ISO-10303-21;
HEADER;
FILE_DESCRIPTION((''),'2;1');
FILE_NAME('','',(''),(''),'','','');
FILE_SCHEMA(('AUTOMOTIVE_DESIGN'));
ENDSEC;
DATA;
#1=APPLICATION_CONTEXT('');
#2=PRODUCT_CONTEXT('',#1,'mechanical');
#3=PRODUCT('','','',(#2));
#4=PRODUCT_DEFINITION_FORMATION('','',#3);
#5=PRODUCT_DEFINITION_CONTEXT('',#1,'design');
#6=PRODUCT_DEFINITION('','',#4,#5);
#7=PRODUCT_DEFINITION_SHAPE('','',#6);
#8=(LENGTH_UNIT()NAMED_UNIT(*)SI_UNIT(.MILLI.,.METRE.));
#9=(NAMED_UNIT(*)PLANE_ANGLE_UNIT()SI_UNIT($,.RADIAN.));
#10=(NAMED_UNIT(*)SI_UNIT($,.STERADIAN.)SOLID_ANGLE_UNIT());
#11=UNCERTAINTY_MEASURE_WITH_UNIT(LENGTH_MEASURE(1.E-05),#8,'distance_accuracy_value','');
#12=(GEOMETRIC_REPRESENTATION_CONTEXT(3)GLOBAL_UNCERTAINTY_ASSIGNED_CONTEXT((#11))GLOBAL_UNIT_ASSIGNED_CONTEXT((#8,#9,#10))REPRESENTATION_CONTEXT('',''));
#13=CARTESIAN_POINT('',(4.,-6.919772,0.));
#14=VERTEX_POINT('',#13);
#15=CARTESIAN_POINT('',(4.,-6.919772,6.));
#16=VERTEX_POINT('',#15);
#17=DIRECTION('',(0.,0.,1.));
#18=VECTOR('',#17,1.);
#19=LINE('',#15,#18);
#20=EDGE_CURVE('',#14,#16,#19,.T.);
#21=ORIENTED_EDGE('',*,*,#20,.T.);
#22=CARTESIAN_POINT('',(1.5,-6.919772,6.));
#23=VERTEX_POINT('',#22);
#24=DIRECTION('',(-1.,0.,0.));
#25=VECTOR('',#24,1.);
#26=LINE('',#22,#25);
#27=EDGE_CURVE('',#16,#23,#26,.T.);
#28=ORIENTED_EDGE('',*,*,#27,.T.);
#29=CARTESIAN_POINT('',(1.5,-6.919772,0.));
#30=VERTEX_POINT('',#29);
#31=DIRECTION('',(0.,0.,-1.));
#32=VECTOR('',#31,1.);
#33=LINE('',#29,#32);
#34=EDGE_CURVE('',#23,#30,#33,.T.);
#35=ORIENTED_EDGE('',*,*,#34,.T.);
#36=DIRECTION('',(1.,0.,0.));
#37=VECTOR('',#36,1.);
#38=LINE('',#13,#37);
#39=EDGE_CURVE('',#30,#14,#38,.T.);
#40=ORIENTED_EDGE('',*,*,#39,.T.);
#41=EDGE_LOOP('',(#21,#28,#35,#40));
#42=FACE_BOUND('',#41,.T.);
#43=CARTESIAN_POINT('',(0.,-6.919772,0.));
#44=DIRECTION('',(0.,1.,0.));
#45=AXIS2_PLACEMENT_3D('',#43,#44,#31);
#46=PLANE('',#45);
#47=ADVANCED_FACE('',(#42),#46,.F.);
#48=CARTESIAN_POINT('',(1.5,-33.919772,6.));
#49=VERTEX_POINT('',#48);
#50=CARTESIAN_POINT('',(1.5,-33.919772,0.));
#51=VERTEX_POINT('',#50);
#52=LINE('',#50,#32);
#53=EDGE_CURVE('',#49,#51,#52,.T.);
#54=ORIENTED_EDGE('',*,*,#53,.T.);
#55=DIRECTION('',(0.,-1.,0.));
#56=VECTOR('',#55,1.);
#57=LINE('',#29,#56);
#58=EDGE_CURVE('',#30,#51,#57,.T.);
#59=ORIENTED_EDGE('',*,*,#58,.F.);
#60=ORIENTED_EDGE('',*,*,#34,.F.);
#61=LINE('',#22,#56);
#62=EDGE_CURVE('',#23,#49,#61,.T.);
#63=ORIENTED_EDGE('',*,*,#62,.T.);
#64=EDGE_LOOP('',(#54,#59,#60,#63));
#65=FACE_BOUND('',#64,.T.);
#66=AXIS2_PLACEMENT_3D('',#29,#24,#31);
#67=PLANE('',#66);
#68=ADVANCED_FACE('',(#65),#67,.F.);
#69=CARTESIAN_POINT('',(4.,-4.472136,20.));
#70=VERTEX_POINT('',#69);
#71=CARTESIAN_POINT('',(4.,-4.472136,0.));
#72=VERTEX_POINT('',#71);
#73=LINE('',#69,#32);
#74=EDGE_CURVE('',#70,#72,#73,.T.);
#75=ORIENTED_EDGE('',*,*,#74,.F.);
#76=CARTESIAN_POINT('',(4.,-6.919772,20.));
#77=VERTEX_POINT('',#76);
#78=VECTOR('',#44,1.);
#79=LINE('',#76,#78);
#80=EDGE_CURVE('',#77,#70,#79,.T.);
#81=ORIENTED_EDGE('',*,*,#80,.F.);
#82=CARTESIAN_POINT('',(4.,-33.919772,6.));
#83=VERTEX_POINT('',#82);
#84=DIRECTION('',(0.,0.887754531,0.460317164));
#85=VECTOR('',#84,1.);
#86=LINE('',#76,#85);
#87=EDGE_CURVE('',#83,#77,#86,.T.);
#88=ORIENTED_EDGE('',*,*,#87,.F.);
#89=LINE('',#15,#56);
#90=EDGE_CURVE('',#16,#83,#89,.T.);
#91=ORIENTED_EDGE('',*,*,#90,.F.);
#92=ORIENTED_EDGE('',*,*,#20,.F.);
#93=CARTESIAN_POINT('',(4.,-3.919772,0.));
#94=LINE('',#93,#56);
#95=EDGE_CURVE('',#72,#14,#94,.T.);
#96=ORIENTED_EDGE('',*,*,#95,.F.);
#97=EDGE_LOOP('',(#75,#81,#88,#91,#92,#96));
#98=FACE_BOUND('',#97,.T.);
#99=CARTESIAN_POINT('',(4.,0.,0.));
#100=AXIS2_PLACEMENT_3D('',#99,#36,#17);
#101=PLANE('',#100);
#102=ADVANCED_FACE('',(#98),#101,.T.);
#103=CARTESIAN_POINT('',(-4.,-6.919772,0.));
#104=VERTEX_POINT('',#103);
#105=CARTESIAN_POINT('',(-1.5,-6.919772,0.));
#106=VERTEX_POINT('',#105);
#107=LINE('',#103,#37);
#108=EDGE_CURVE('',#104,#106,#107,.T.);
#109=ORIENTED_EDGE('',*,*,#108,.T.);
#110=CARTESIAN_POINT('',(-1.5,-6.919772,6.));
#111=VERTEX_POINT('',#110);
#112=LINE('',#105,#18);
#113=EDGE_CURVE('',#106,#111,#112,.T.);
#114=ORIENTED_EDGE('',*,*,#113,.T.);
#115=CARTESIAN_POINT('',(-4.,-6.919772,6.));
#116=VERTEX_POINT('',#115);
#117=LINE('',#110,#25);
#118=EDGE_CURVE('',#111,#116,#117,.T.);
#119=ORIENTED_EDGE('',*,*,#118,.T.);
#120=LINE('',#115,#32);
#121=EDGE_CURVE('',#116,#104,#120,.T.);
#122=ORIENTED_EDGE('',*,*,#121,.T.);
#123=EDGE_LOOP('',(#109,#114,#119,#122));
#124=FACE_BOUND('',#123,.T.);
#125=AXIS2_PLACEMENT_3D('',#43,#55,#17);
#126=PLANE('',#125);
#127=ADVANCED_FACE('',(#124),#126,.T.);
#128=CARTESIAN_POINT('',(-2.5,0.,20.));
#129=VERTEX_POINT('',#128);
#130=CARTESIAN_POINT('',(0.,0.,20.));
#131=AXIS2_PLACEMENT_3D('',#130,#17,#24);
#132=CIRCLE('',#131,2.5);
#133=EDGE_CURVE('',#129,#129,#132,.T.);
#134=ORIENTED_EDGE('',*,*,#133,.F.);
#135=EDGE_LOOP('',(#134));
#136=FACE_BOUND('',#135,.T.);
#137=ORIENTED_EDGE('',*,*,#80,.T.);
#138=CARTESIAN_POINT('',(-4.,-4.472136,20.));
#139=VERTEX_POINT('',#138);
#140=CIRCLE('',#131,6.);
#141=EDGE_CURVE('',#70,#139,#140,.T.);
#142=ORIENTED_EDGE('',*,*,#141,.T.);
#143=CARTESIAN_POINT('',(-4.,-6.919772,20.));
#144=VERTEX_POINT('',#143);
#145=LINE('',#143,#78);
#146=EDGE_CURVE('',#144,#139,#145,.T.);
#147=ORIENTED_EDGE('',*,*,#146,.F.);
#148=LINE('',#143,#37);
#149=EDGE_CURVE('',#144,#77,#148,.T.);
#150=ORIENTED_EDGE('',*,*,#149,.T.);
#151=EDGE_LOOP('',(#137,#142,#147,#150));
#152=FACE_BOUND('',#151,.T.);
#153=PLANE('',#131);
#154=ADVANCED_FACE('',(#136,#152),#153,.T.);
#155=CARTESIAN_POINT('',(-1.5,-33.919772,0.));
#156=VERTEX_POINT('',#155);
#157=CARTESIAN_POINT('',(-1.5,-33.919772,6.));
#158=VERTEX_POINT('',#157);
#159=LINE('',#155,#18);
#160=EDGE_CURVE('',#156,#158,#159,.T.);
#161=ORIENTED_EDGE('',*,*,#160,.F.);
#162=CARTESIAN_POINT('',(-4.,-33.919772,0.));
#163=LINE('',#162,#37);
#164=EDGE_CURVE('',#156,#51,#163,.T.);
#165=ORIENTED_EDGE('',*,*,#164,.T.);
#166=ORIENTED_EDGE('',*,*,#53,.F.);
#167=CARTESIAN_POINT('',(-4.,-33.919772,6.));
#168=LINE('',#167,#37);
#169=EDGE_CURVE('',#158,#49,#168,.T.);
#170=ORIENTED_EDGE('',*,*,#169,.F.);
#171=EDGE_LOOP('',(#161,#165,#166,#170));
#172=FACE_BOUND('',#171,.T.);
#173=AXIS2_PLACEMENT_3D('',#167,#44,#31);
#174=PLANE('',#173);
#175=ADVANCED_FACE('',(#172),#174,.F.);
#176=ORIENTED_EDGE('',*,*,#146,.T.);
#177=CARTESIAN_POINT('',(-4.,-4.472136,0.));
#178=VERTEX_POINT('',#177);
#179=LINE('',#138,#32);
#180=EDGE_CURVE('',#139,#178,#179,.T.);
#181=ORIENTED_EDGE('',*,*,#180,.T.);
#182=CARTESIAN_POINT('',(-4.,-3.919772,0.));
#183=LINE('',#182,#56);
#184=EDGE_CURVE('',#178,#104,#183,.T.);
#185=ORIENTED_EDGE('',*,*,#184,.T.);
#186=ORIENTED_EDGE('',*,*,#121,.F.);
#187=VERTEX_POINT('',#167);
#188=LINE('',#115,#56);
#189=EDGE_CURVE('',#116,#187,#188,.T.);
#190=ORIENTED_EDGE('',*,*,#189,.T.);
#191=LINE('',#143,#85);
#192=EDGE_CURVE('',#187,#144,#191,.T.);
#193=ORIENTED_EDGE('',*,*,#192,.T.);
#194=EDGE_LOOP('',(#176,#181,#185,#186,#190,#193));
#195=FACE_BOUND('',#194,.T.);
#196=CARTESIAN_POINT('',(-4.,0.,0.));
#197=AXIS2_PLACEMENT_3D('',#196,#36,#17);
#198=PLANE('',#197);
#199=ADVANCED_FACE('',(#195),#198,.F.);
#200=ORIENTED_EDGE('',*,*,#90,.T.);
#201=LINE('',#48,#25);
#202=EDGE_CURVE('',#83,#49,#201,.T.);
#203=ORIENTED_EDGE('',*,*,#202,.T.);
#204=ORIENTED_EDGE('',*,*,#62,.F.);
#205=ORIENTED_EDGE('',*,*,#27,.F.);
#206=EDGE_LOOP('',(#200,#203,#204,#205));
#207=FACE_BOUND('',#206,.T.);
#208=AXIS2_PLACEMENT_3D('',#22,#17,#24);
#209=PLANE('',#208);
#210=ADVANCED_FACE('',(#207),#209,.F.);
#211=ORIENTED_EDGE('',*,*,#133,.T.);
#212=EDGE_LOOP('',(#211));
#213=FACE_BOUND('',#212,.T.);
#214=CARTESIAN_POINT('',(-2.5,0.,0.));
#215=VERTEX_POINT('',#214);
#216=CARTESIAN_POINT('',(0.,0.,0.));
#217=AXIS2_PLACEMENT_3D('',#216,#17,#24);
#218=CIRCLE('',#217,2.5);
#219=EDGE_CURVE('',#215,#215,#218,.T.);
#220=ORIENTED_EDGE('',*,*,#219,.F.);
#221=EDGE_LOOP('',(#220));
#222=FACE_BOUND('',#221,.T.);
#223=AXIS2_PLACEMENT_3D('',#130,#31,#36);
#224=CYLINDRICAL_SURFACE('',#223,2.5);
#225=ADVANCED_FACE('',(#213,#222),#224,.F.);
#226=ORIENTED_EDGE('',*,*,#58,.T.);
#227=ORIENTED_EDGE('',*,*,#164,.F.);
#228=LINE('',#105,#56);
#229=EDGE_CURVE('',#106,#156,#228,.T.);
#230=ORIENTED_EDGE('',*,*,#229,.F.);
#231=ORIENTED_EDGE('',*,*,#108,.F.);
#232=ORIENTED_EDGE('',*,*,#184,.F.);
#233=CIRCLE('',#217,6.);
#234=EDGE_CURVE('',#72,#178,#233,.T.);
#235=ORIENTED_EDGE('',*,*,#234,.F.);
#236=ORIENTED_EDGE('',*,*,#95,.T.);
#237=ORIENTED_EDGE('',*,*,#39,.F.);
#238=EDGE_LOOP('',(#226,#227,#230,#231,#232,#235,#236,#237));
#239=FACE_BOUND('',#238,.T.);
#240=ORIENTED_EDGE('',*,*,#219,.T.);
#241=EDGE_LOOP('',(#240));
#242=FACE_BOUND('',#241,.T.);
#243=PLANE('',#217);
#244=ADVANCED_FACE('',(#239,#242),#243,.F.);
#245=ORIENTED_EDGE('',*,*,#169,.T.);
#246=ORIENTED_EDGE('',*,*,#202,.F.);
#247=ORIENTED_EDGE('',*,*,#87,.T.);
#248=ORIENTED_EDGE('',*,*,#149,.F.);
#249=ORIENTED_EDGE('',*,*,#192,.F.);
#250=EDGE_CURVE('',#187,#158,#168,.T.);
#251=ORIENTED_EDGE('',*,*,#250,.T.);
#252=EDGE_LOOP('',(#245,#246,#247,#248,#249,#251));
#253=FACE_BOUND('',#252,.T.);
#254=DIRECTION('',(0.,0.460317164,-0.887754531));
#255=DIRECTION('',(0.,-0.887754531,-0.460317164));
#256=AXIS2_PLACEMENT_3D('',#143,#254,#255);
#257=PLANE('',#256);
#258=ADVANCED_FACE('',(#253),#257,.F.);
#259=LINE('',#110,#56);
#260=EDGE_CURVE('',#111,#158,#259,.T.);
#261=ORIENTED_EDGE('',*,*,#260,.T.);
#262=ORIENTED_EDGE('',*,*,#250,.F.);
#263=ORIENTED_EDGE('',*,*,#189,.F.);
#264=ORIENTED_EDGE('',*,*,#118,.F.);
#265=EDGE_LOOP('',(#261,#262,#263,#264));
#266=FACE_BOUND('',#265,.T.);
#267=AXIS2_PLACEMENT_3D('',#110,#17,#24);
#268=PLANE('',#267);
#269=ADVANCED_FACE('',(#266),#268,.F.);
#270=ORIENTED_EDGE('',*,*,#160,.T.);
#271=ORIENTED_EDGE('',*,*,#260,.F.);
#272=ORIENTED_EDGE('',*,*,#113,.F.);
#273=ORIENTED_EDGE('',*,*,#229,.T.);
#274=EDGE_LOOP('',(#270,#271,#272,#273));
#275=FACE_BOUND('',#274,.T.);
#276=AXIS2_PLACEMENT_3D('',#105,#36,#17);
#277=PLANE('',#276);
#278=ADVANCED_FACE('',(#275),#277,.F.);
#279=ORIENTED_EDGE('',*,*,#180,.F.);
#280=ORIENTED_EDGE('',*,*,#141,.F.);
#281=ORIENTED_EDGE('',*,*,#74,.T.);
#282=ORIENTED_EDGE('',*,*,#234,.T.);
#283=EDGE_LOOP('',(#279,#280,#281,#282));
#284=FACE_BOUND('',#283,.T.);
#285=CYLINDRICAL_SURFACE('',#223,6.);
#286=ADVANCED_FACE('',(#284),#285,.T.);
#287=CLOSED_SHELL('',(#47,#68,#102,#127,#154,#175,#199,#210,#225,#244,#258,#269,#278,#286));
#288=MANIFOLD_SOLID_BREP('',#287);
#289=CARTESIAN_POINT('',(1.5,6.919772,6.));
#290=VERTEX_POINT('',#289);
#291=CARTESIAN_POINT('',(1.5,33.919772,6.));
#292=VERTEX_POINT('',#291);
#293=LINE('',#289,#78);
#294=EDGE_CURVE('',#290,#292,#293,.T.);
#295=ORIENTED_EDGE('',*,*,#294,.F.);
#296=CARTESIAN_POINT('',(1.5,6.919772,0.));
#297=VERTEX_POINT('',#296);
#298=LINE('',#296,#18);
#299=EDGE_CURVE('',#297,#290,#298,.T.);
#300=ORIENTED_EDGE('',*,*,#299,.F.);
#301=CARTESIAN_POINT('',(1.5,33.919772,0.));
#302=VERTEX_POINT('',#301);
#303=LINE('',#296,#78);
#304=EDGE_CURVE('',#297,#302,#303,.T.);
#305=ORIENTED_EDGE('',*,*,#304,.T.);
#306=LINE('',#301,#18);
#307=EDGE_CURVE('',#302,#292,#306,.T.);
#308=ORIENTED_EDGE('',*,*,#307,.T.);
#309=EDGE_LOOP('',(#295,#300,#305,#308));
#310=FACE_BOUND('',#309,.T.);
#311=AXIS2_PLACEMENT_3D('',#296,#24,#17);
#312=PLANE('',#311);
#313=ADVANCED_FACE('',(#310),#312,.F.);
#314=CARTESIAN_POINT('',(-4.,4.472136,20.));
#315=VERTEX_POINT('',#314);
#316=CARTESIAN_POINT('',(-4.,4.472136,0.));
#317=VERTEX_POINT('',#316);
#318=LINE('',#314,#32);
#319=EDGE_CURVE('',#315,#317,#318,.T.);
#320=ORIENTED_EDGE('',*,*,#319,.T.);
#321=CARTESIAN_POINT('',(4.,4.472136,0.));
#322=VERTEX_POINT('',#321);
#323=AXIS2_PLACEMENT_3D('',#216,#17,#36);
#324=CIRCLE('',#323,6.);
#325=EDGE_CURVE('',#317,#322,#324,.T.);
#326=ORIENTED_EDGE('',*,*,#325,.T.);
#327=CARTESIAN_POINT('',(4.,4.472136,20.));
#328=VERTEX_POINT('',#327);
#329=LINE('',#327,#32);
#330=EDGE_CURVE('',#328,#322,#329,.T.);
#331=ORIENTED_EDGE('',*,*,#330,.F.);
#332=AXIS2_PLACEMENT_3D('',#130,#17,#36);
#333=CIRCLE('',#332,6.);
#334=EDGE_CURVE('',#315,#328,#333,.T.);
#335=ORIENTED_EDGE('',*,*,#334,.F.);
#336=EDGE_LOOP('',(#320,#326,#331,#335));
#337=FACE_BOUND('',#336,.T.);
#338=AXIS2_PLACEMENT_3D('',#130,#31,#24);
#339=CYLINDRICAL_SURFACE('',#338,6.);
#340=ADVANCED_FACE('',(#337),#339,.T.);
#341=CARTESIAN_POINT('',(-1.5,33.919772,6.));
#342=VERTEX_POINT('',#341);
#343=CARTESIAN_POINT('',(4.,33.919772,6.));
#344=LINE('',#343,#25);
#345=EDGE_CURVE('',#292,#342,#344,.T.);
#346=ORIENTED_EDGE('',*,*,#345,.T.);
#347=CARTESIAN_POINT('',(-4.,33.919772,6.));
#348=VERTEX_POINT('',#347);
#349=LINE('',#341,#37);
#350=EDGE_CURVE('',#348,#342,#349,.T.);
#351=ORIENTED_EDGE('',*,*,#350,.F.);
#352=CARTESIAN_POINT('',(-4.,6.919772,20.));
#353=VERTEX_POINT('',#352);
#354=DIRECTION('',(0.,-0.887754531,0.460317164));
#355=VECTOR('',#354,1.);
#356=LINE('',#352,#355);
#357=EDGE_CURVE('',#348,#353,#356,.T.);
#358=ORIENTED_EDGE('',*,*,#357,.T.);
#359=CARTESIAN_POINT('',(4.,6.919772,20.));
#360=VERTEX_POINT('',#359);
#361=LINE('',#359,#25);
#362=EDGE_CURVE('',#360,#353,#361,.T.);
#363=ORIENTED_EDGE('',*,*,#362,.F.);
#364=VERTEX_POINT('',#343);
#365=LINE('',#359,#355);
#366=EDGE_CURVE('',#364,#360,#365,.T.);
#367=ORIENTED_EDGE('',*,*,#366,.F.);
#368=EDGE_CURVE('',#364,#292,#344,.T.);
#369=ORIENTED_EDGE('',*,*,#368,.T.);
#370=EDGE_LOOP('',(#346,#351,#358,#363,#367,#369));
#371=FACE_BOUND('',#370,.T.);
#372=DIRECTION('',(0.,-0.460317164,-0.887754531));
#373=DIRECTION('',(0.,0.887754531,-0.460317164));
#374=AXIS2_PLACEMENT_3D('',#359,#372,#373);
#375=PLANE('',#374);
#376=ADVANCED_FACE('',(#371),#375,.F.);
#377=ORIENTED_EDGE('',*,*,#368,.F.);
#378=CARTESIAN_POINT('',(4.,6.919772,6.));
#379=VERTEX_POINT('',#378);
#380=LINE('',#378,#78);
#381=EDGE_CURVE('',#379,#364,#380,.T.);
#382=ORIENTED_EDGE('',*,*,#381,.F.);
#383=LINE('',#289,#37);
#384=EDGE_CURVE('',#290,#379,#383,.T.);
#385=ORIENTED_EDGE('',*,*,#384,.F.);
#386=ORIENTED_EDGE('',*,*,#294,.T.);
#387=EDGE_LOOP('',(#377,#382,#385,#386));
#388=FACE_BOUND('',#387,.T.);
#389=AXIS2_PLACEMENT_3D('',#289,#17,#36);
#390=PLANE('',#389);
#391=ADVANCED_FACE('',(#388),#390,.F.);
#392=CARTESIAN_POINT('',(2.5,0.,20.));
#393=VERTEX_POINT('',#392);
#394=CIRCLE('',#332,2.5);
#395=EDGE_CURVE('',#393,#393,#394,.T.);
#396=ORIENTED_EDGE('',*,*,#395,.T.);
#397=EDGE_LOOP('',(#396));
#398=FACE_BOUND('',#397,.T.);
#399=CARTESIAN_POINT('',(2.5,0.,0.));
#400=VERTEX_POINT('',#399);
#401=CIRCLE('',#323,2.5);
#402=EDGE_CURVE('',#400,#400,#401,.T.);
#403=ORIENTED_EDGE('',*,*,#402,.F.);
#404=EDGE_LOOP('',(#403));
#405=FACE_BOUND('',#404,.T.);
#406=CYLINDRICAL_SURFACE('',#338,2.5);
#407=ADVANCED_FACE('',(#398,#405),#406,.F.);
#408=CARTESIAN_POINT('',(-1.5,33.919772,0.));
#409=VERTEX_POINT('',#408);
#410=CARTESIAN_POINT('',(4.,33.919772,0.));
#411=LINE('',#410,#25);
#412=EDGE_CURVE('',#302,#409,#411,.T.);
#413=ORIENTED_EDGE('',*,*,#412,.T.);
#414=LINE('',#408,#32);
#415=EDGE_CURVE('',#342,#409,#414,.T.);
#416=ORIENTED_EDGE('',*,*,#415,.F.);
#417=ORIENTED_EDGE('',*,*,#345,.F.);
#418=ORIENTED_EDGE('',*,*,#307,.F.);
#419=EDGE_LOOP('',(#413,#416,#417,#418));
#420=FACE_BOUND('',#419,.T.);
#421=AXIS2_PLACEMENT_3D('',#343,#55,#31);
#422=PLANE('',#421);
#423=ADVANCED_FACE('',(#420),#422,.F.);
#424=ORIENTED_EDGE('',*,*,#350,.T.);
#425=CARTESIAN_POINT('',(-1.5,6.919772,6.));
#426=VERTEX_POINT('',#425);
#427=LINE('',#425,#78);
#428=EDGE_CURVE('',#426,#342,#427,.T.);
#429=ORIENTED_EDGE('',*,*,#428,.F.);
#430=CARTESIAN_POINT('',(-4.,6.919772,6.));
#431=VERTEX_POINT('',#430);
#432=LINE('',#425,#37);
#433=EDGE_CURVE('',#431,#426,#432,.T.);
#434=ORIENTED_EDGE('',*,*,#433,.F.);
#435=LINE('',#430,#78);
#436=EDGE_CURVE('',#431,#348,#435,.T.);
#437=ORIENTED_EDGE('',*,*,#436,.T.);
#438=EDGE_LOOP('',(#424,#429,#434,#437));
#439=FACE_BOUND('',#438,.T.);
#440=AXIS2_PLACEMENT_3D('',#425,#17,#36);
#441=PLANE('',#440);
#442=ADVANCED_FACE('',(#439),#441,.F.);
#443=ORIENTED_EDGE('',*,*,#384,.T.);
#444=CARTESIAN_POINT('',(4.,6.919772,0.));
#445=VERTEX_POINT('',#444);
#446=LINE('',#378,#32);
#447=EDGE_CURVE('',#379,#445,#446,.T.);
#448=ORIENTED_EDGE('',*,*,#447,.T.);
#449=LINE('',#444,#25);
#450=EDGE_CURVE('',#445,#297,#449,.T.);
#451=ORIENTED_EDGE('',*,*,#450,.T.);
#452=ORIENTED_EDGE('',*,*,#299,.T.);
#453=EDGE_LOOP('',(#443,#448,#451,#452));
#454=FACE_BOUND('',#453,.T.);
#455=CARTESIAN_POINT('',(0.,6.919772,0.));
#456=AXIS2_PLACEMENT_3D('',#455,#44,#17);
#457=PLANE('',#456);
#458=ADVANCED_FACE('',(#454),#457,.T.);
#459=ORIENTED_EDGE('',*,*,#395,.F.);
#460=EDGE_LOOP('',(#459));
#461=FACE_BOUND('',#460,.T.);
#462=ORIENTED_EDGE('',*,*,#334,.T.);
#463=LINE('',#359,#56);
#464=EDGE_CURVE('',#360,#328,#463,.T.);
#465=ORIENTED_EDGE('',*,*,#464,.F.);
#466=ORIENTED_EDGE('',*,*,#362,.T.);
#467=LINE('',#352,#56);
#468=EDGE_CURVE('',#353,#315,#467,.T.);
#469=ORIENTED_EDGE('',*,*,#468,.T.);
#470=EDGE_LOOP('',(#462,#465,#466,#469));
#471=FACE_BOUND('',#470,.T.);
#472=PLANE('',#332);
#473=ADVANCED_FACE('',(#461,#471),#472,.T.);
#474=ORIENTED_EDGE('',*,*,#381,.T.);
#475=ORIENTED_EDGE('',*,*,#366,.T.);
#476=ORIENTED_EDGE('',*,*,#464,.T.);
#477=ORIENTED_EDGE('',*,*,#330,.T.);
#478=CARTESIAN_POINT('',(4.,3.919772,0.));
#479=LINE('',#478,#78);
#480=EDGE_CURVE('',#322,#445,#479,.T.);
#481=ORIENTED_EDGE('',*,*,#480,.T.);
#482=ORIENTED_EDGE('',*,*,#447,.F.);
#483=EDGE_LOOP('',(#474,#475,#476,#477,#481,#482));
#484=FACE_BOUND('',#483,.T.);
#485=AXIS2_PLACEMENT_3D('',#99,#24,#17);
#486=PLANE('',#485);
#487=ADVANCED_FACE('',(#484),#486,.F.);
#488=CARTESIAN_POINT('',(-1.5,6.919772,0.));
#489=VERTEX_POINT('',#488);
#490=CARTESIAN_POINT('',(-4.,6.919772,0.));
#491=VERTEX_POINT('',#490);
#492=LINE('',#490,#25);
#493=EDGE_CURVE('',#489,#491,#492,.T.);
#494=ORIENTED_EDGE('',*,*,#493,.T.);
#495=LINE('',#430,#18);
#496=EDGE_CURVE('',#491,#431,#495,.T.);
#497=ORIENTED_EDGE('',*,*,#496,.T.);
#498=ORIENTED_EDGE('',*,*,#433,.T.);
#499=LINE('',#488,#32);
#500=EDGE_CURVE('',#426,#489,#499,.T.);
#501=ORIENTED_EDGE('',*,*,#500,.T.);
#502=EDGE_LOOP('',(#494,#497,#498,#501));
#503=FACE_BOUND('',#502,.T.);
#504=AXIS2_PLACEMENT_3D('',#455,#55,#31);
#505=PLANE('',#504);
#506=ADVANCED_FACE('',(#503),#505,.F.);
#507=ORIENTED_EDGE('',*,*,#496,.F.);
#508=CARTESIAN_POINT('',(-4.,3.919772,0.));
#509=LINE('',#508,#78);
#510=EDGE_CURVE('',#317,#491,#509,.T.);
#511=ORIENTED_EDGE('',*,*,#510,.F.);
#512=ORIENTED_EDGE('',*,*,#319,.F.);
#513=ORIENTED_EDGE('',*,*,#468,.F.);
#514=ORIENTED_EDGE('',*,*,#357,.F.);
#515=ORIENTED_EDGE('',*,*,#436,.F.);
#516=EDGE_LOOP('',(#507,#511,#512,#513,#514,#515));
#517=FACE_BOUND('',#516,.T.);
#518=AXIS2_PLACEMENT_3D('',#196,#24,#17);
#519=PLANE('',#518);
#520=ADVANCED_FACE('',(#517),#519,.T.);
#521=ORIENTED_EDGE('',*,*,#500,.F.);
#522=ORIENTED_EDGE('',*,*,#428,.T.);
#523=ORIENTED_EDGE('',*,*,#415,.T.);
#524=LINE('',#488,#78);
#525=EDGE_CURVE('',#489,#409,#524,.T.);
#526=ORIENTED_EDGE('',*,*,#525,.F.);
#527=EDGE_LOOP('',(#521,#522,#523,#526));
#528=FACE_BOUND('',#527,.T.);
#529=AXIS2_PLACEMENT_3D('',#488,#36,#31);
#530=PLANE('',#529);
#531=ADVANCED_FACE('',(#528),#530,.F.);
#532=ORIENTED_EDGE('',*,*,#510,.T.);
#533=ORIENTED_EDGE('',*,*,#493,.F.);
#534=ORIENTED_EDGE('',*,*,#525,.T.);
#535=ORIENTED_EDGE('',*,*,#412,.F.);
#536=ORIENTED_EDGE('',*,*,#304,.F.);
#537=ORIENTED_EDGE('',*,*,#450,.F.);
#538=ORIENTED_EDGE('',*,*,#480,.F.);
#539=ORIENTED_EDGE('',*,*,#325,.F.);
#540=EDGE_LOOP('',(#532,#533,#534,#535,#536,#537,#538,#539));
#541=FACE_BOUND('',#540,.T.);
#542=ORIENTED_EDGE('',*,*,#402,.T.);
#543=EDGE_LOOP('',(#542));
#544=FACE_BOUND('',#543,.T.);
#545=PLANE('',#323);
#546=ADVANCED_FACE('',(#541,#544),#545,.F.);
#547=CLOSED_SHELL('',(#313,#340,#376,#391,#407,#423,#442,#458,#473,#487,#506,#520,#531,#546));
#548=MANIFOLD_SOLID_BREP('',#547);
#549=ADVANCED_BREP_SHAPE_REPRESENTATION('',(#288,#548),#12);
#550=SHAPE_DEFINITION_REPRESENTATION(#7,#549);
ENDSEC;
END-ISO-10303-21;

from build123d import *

# Parameters (mm, degrees)
SKETCH1_R             = 6
SKETCH1_R_2           = 2.5
BOSS_EXTRUDE1_DEPTH   = 20
BOSS_EXTRUDE2_DEPTH   = 4
SKETCH3_W             = 2.5
SKETCH3_H             = 6
CUT_EXTRUDE1_DEPTH    = 27.000002
BODY_MOVE_COPY1_ANGLE = 180


with BuildPart() as part:
    # Sketch1 → Boss-Extrude1 (new body)
    with BuildSketch(Plane.XY):
        Circle(SKETCH1_R)
        Circle(SKETCH1_R_2, mode=Mode.SUBTRACT)
    extrude(amount=BOSS_EXTRUDE1_DEPTH)

    # Sketch2 → Boss-Extrude2 (add, symmetric)
    with BuildSketch(Plane(origin=(0, 0, 0), x_dir=(0, 0, -1), z_dir=(1, 0, 0))):
        Polygon((-20, 6.9197719), (-20, 3.9197719), (0, 3.9197719), (0, 33.9197719), (-6, 33.9197719), align=None)
    extrude(amount=BOSS_EXTRUDE2_DEPTH, both=True)

    # Sketch3 → Cut-Extrude1 (cut)
    with BuildSketch(Plane(origin=(0, 33.9197719, 0), x_dir=(1, 0, 0), z_dir=(0, 1, 0))):
        with Locations((-2.75, -3)):
            Rectangle(SKETCH3_W, SKETCH3_H)
        with Locations((2.75, -3)):
            Rectangle(SKETCH3_W, SKETCH3_H)
    extrude(amount=-CUT_EXTRUDE1_DEPTH, mode=Mode.SUBTRACT)


with BuildPart() as body_2:
    # Body-Move/Copy1: copy of part
    add(part.part.rotate(Axis((0, 0, 0), (0, 0, 1)), BODY_MOVE_COPY1_ANGLE))


solid = Compound([part.part, body_2.part])
